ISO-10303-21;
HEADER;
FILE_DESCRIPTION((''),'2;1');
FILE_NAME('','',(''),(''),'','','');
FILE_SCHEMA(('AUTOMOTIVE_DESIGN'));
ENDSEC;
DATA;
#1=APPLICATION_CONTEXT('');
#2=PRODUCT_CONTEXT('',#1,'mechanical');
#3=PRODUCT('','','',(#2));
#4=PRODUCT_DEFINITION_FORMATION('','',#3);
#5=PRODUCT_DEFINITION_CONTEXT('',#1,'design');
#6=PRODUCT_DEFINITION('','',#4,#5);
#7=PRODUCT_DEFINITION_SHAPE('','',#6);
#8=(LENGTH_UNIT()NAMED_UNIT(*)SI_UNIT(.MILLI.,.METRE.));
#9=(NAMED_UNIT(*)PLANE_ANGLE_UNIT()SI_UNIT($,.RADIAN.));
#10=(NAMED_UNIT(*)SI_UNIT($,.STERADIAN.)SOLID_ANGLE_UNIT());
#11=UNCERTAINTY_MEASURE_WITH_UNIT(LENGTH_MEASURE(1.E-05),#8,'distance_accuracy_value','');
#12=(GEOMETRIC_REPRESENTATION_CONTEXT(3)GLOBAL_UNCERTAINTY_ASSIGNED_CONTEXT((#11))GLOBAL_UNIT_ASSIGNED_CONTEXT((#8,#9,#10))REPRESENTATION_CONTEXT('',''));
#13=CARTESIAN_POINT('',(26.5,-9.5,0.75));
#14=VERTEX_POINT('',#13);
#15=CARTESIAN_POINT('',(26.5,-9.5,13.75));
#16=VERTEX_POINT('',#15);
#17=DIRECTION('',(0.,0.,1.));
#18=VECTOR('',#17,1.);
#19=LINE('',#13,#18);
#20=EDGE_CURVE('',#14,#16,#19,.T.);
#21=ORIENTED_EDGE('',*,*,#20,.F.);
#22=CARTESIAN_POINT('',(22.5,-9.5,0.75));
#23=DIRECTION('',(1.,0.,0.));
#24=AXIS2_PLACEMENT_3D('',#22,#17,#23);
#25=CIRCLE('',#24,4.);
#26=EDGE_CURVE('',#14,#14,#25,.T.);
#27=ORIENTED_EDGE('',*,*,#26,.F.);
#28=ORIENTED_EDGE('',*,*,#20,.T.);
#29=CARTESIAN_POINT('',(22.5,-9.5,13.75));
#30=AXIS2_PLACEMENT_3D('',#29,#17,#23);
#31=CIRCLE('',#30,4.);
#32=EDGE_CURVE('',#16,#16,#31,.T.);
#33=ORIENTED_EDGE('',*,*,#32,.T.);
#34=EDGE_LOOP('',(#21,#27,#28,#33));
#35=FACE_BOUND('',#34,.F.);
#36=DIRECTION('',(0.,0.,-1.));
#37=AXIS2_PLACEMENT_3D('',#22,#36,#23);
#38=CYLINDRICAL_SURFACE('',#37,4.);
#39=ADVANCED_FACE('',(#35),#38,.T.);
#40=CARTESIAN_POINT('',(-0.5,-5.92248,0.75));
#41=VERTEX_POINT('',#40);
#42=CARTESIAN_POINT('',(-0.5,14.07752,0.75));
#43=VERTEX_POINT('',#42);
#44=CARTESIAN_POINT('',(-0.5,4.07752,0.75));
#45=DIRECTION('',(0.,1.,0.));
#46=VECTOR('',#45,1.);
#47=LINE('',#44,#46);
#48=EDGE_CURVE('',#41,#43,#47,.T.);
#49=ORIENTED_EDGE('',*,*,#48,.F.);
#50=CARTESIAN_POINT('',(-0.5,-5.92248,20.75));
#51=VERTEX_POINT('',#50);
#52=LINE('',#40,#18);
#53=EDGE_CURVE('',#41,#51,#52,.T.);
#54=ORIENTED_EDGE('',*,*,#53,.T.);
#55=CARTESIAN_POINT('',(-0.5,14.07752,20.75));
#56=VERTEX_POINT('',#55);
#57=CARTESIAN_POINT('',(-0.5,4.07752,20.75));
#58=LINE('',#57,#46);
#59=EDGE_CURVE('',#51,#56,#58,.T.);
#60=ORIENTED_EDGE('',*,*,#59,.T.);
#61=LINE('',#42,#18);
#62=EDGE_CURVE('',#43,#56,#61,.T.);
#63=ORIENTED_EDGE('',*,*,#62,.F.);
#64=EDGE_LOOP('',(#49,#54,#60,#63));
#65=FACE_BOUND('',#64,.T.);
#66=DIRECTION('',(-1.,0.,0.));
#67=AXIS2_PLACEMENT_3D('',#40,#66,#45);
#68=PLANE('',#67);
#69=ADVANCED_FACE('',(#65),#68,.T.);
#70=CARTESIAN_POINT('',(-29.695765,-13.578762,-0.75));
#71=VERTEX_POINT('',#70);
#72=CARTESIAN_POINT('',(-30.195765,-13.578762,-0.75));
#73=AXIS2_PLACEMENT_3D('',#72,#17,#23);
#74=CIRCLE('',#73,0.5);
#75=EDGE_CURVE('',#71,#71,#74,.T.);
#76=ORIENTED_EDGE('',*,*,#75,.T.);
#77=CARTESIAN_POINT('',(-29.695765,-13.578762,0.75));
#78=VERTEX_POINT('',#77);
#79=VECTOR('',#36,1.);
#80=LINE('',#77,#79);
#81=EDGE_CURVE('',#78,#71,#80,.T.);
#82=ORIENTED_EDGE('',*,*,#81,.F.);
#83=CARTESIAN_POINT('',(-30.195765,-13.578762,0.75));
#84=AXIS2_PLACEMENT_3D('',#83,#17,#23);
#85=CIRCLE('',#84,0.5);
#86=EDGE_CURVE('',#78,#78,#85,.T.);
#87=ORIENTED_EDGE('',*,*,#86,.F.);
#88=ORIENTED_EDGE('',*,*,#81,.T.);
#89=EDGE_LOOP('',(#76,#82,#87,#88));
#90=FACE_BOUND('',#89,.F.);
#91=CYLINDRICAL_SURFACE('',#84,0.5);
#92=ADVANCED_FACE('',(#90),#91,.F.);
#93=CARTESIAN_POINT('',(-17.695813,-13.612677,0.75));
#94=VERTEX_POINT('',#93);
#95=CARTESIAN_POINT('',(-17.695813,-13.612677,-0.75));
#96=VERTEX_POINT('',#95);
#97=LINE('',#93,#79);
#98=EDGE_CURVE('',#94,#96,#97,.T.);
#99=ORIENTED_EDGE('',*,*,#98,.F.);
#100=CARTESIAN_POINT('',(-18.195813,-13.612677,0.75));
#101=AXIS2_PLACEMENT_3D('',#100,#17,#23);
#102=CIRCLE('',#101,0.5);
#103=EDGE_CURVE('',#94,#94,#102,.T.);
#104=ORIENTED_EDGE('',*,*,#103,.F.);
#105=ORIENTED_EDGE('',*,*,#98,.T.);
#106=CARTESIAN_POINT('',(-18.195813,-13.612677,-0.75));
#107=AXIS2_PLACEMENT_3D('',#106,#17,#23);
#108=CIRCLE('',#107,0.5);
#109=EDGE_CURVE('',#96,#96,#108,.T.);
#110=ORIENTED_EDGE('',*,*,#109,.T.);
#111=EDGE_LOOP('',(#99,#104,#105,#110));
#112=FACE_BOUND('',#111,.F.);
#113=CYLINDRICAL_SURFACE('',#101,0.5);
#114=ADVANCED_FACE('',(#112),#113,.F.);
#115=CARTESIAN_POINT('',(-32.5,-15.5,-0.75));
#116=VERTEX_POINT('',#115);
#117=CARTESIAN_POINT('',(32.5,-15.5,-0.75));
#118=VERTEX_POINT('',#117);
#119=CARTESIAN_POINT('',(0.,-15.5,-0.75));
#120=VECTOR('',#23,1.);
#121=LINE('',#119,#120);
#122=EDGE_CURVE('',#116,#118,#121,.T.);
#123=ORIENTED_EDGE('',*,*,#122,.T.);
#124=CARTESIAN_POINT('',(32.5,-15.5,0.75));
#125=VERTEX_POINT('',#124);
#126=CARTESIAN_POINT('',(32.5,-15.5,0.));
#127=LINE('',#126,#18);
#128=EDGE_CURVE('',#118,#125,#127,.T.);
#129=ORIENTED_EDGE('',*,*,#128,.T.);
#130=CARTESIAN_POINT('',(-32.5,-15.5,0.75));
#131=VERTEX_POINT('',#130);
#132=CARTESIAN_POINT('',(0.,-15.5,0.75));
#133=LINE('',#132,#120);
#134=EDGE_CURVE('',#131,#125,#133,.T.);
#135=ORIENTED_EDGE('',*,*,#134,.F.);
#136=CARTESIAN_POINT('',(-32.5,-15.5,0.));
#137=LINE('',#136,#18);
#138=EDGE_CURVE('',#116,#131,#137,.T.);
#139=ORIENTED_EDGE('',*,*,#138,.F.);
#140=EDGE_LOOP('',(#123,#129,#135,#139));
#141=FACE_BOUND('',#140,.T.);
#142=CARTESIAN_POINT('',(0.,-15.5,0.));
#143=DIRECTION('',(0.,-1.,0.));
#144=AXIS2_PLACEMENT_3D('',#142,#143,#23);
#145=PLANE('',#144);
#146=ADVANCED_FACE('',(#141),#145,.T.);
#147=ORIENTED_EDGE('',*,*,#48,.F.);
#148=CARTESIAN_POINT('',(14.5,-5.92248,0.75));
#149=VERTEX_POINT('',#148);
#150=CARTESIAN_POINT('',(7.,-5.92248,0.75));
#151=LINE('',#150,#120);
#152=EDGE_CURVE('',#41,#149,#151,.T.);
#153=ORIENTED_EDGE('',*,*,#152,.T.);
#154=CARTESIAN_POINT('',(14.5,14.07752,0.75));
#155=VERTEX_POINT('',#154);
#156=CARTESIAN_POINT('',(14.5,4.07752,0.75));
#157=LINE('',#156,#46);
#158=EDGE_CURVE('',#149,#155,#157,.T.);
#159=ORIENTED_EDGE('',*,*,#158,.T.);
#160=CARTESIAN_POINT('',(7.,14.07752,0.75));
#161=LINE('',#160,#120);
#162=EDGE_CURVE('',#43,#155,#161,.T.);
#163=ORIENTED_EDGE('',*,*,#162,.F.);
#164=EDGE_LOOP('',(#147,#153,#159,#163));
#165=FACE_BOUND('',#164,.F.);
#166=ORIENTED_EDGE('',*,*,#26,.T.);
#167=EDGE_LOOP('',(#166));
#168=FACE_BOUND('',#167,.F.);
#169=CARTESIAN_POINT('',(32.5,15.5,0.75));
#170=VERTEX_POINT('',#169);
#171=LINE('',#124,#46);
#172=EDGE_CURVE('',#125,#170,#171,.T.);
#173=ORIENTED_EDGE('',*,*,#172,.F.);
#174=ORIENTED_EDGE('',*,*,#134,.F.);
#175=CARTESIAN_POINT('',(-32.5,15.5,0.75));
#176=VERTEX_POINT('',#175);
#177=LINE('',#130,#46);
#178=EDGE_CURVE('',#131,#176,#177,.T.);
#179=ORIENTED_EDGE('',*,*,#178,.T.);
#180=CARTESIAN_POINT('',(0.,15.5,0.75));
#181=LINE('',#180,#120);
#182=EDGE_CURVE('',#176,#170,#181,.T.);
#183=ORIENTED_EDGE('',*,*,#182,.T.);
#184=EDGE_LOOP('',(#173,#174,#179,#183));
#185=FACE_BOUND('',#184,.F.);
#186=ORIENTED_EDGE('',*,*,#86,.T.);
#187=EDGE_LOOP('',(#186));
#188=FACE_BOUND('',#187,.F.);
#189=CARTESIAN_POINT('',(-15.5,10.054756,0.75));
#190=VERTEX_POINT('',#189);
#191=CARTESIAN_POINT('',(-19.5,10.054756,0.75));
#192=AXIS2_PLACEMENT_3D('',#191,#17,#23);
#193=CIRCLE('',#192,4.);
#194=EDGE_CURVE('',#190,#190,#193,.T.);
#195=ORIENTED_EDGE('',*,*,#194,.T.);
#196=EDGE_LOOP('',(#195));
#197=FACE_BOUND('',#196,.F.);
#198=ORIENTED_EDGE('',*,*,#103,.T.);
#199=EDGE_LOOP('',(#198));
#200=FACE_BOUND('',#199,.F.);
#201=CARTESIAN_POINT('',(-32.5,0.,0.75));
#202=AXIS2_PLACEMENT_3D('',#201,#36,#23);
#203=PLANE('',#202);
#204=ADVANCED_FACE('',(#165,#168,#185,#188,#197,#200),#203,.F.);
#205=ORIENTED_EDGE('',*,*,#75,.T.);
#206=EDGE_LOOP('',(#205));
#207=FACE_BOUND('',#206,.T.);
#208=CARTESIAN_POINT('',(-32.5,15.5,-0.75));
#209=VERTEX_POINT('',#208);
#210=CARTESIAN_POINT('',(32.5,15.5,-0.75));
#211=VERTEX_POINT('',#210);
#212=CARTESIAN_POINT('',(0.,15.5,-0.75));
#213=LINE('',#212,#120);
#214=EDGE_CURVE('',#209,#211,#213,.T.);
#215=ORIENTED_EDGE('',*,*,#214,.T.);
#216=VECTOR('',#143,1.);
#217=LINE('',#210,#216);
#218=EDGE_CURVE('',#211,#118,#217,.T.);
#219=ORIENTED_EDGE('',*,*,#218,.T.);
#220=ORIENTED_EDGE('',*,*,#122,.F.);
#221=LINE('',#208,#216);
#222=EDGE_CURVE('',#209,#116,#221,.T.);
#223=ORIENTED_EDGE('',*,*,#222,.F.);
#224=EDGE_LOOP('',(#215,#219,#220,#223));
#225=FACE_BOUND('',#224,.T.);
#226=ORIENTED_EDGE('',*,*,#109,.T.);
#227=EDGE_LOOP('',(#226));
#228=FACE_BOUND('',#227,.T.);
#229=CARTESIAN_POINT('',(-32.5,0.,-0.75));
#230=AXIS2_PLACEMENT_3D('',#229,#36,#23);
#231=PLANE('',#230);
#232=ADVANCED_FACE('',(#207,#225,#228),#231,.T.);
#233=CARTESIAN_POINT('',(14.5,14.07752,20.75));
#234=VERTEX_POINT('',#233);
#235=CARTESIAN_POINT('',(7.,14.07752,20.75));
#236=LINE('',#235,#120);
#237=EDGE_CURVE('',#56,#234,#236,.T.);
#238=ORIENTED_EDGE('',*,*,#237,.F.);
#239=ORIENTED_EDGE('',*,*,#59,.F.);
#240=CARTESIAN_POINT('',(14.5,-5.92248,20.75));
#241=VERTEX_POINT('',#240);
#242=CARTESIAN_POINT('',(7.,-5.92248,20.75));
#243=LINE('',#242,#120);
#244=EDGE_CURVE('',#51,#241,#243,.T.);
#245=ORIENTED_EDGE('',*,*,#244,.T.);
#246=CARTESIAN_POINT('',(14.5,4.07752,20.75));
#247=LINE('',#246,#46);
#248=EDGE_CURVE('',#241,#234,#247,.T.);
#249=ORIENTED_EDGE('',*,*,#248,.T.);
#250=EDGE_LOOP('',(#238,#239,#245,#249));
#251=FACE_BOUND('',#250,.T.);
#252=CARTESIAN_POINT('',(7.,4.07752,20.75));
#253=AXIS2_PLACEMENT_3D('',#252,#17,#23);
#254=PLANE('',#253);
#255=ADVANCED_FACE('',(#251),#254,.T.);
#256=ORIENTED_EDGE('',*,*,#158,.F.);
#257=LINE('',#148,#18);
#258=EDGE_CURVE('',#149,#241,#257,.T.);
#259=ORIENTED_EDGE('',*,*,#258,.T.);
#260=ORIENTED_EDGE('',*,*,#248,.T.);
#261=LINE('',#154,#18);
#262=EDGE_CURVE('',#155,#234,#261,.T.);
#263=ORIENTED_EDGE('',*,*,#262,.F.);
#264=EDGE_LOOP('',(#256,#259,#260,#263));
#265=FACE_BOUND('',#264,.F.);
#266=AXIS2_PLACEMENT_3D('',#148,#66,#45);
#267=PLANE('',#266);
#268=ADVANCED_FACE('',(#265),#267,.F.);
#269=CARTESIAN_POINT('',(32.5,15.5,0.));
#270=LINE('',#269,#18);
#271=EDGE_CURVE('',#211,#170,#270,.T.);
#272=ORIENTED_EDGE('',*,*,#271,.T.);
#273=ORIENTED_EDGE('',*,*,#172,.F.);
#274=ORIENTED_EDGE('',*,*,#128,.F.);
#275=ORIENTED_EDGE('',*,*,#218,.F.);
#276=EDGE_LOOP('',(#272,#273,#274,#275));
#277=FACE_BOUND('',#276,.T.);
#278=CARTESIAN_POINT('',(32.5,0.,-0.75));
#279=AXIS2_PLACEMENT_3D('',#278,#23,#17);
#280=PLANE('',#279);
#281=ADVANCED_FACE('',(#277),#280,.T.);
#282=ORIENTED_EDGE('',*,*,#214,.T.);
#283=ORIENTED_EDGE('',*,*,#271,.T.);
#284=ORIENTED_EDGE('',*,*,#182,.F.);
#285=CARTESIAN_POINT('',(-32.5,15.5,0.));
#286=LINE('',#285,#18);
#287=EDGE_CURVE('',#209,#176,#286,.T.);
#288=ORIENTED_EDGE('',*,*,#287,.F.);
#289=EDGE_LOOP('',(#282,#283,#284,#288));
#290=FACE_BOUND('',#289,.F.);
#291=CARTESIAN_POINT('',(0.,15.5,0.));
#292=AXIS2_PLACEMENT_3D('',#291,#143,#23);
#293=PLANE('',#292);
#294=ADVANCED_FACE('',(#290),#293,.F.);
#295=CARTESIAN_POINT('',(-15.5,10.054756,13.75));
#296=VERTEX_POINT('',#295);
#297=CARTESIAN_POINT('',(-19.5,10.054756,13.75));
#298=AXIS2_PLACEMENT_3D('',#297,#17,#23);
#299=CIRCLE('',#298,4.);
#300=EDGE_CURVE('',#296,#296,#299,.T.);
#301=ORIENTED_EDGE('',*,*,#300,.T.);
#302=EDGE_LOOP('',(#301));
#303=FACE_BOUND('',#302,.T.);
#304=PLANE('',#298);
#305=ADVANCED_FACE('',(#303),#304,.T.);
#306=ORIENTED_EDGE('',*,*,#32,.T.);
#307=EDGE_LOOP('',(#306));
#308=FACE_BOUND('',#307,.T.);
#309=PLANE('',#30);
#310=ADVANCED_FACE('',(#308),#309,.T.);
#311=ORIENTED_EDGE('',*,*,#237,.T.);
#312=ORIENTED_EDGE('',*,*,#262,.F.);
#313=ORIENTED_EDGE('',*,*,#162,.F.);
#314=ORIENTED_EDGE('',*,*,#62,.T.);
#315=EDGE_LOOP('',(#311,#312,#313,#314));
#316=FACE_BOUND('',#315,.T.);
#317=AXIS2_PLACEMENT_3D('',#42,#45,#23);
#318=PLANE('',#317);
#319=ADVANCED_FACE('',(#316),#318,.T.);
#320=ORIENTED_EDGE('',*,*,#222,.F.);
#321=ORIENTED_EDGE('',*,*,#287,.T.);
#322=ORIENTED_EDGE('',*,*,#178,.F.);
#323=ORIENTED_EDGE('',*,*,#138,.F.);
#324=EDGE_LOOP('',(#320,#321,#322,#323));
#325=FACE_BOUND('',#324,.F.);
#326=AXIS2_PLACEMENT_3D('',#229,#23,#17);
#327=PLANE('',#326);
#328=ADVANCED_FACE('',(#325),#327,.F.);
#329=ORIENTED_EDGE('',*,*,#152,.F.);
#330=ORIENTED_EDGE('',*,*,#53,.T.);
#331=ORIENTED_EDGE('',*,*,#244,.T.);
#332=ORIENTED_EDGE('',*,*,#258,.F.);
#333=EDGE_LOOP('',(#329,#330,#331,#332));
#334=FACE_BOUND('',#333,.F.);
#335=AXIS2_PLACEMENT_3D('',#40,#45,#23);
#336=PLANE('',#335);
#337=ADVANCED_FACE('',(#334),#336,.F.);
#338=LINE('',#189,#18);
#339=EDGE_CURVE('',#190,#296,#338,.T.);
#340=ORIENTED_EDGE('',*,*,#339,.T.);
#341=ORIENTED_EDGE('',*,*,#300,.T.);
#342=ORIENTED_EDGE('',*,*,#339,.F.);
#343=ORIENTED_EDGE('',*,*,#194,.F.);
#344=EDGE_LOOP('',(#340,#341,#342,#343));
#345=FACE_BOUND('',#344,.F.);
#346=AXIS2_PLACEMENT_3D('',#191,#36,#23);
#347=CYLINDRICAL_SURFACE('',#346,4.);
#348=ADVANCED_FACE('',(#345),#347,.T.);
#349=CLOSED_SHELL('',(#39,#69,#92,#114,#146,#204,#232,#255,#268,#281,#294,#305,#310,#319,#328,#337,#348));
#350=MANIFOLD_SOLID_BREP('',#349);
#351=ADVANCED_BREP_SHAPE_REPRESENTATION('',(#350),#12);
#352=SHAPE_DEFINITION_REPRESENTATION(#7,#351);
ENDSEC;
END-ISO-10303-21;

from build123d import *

# Parameters (mm, degrees)
F0_W      = 65
F0_H      = 1.5
F1_DEPTH  = 15.5
F2_W      = 15
F2_H      = 20
F3_DEPTH  = 20
F4_R      = 4
F5_DEPTH  = 13
F6_R      = 4
F7_DEPTH  = 13
F8_R      = 0.5
F9_DEPTH  = 25.4
F10_R     = 0.5
F11_DEPTH = 25.4


with BuildPart() as f1:
    # F0 (on Front) → F1 (new body, symmetric)
    with BuildSketch(Plane.XZ):
        Rectangle(F0_W, F0_H)
    extrude(amount=F1_DEPTH, both=True)

    # F2 (on face) → F3 (join)
    with BuildSketch(Plane.XY.offset(0.75)):
        with Locations((7, 4.07752)):
            Rectangle(F2_W, F2_H)
    extrude(amount=F3_DEPTH)

    # F4 (on face) → F5 (join)
    with BuildSketch(Plane.XY.offset(0.75)):
        with Locations((-19.5, 10.054756)):
            Circle(F4_R)
    extrude(amount=F5_DEPTH)

    # F6 (on face) → F7 (join)
    with BuildSketch(Plane.XY.offset(0.75)):
        with Locations((22.5, -9.5)):
            Circle(F6_R)
    extrude(amount=F7_DEPTH)

    # F8 (on face) → F9 (cut)
    with BuildSketch(Plane.XY.offset(0.75)):
        with Locations((-30.195765, -13.578762)):
            Circle(F8_R)
    extrude(amount=-F9_DEPTH, mode=Mode.SUBTRACT)

    # F10 (on face) → F11 (cut)
    with BuildSketch(Plane.XY.offset(0.75)):
        with Locations((-18.195813, -13.612677)):
            Circle(F10_R)
    extrude(amount=-F11_DEPTH, mode=Mode.SUBTRACT)


solid = f1.part
